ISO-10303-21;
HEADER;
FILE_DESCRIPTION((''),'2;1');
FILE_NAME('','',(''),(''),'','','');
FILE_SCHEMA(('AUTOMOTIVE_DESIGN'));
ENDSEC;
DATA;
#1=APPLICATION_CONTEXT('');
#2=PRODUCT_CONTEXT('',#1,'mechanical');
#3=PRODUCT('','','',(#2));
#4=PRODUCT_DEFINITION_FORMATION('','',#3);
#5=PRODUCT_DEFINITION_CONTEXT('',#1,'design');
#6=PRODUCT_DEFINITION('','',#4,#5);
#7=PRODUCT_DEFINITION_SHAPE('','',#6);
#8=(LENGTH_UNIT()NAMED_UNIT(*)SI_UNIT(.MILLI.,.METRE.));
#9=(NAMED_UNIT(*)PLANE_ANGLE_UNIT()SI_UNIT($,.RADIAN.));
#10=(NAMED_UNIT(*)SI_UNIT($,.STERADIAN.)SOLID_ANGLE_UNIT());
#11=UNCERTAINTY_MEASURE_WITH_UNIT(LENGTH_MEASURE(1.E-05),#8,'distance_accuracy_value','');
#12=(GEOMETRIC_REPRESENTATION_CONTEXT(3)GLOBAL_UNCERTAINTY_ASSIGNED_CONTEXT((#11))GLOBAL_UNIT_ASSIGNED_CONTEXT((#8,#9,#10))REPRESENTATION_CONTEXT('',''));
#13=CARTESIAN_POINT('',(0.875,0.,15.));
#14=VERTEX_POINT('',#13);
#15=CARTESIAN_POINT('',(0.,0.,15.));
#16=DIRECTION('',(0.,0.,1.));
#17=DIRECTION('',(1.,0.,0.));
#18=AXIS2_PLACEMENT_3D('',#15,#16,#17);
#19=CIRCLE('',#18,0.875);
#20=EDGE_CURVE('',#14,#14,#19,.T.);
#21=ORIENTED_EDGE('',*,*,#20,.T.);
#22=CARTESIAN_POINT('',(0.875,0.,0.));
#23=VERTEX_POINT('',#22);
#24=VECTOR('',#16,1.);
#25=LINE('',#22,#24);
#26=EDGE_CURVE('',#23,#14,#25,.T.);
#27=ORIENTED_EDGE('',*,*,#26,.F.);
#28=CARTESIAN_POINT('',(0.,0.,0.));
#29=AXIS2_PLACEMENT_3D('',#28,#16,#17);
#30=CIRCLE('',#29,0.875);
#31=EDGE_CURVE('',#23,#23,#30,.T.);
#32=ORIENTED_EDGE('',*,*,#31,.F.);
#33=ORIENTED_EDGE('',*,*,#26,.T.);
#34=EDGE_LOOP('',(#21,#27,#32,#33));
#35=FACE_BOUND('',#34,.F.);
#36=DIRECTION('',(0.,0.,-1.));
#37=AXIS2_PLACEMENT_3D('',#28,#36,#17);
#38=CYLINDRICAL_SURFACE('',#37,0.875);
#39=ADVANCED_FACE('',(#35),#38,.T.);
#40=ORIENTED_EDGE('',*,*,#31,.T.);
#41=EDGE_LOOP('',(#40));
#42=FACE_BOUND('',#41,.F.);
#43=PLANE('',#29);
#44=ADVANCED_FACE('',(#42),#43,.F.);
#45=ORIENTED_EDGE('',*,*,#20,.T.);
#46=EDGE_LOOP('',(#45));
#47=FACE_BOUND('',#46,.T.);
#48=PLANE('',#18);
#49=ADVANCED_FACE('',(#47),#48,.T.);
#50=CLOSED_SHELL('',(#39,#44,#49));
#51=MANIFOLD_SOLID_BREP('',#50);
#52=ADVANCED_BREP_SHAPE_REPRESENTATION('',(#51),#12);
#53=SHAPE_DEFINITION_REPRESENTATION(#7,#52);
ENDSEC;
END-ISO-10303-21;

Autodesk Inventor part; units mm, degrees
ref_plane "YZ Plane" through (0, 0, 0) normal (1, 0, 0) x (0, 1, 0)
ref_plane "XZ Plane" through (0, 0, 0) normal (0, 1, 0) x (-1, 0, 0)
ref_plane "XY Plane" through (0, 0, 0) normal (0, 0, 1) x (1, 0, 0)
sketch "Sketch1" plane through (0, 0, 0) normal (0, 0, 1) x (1, 0, 0)
  circle A0 centre (0, 0) radius 0.875
  dimension "d0" = 1.75
extrude "Extrusion1" add sketch "Sketch1" along normal blind 15
sketch "Sketch4" plane through (0, 0, 0) normal (0, 0, -1) x (-1, 0, 0)
  circle A0 centre (0, 0) radius 0.875 projected
properties part number "bluelead"
